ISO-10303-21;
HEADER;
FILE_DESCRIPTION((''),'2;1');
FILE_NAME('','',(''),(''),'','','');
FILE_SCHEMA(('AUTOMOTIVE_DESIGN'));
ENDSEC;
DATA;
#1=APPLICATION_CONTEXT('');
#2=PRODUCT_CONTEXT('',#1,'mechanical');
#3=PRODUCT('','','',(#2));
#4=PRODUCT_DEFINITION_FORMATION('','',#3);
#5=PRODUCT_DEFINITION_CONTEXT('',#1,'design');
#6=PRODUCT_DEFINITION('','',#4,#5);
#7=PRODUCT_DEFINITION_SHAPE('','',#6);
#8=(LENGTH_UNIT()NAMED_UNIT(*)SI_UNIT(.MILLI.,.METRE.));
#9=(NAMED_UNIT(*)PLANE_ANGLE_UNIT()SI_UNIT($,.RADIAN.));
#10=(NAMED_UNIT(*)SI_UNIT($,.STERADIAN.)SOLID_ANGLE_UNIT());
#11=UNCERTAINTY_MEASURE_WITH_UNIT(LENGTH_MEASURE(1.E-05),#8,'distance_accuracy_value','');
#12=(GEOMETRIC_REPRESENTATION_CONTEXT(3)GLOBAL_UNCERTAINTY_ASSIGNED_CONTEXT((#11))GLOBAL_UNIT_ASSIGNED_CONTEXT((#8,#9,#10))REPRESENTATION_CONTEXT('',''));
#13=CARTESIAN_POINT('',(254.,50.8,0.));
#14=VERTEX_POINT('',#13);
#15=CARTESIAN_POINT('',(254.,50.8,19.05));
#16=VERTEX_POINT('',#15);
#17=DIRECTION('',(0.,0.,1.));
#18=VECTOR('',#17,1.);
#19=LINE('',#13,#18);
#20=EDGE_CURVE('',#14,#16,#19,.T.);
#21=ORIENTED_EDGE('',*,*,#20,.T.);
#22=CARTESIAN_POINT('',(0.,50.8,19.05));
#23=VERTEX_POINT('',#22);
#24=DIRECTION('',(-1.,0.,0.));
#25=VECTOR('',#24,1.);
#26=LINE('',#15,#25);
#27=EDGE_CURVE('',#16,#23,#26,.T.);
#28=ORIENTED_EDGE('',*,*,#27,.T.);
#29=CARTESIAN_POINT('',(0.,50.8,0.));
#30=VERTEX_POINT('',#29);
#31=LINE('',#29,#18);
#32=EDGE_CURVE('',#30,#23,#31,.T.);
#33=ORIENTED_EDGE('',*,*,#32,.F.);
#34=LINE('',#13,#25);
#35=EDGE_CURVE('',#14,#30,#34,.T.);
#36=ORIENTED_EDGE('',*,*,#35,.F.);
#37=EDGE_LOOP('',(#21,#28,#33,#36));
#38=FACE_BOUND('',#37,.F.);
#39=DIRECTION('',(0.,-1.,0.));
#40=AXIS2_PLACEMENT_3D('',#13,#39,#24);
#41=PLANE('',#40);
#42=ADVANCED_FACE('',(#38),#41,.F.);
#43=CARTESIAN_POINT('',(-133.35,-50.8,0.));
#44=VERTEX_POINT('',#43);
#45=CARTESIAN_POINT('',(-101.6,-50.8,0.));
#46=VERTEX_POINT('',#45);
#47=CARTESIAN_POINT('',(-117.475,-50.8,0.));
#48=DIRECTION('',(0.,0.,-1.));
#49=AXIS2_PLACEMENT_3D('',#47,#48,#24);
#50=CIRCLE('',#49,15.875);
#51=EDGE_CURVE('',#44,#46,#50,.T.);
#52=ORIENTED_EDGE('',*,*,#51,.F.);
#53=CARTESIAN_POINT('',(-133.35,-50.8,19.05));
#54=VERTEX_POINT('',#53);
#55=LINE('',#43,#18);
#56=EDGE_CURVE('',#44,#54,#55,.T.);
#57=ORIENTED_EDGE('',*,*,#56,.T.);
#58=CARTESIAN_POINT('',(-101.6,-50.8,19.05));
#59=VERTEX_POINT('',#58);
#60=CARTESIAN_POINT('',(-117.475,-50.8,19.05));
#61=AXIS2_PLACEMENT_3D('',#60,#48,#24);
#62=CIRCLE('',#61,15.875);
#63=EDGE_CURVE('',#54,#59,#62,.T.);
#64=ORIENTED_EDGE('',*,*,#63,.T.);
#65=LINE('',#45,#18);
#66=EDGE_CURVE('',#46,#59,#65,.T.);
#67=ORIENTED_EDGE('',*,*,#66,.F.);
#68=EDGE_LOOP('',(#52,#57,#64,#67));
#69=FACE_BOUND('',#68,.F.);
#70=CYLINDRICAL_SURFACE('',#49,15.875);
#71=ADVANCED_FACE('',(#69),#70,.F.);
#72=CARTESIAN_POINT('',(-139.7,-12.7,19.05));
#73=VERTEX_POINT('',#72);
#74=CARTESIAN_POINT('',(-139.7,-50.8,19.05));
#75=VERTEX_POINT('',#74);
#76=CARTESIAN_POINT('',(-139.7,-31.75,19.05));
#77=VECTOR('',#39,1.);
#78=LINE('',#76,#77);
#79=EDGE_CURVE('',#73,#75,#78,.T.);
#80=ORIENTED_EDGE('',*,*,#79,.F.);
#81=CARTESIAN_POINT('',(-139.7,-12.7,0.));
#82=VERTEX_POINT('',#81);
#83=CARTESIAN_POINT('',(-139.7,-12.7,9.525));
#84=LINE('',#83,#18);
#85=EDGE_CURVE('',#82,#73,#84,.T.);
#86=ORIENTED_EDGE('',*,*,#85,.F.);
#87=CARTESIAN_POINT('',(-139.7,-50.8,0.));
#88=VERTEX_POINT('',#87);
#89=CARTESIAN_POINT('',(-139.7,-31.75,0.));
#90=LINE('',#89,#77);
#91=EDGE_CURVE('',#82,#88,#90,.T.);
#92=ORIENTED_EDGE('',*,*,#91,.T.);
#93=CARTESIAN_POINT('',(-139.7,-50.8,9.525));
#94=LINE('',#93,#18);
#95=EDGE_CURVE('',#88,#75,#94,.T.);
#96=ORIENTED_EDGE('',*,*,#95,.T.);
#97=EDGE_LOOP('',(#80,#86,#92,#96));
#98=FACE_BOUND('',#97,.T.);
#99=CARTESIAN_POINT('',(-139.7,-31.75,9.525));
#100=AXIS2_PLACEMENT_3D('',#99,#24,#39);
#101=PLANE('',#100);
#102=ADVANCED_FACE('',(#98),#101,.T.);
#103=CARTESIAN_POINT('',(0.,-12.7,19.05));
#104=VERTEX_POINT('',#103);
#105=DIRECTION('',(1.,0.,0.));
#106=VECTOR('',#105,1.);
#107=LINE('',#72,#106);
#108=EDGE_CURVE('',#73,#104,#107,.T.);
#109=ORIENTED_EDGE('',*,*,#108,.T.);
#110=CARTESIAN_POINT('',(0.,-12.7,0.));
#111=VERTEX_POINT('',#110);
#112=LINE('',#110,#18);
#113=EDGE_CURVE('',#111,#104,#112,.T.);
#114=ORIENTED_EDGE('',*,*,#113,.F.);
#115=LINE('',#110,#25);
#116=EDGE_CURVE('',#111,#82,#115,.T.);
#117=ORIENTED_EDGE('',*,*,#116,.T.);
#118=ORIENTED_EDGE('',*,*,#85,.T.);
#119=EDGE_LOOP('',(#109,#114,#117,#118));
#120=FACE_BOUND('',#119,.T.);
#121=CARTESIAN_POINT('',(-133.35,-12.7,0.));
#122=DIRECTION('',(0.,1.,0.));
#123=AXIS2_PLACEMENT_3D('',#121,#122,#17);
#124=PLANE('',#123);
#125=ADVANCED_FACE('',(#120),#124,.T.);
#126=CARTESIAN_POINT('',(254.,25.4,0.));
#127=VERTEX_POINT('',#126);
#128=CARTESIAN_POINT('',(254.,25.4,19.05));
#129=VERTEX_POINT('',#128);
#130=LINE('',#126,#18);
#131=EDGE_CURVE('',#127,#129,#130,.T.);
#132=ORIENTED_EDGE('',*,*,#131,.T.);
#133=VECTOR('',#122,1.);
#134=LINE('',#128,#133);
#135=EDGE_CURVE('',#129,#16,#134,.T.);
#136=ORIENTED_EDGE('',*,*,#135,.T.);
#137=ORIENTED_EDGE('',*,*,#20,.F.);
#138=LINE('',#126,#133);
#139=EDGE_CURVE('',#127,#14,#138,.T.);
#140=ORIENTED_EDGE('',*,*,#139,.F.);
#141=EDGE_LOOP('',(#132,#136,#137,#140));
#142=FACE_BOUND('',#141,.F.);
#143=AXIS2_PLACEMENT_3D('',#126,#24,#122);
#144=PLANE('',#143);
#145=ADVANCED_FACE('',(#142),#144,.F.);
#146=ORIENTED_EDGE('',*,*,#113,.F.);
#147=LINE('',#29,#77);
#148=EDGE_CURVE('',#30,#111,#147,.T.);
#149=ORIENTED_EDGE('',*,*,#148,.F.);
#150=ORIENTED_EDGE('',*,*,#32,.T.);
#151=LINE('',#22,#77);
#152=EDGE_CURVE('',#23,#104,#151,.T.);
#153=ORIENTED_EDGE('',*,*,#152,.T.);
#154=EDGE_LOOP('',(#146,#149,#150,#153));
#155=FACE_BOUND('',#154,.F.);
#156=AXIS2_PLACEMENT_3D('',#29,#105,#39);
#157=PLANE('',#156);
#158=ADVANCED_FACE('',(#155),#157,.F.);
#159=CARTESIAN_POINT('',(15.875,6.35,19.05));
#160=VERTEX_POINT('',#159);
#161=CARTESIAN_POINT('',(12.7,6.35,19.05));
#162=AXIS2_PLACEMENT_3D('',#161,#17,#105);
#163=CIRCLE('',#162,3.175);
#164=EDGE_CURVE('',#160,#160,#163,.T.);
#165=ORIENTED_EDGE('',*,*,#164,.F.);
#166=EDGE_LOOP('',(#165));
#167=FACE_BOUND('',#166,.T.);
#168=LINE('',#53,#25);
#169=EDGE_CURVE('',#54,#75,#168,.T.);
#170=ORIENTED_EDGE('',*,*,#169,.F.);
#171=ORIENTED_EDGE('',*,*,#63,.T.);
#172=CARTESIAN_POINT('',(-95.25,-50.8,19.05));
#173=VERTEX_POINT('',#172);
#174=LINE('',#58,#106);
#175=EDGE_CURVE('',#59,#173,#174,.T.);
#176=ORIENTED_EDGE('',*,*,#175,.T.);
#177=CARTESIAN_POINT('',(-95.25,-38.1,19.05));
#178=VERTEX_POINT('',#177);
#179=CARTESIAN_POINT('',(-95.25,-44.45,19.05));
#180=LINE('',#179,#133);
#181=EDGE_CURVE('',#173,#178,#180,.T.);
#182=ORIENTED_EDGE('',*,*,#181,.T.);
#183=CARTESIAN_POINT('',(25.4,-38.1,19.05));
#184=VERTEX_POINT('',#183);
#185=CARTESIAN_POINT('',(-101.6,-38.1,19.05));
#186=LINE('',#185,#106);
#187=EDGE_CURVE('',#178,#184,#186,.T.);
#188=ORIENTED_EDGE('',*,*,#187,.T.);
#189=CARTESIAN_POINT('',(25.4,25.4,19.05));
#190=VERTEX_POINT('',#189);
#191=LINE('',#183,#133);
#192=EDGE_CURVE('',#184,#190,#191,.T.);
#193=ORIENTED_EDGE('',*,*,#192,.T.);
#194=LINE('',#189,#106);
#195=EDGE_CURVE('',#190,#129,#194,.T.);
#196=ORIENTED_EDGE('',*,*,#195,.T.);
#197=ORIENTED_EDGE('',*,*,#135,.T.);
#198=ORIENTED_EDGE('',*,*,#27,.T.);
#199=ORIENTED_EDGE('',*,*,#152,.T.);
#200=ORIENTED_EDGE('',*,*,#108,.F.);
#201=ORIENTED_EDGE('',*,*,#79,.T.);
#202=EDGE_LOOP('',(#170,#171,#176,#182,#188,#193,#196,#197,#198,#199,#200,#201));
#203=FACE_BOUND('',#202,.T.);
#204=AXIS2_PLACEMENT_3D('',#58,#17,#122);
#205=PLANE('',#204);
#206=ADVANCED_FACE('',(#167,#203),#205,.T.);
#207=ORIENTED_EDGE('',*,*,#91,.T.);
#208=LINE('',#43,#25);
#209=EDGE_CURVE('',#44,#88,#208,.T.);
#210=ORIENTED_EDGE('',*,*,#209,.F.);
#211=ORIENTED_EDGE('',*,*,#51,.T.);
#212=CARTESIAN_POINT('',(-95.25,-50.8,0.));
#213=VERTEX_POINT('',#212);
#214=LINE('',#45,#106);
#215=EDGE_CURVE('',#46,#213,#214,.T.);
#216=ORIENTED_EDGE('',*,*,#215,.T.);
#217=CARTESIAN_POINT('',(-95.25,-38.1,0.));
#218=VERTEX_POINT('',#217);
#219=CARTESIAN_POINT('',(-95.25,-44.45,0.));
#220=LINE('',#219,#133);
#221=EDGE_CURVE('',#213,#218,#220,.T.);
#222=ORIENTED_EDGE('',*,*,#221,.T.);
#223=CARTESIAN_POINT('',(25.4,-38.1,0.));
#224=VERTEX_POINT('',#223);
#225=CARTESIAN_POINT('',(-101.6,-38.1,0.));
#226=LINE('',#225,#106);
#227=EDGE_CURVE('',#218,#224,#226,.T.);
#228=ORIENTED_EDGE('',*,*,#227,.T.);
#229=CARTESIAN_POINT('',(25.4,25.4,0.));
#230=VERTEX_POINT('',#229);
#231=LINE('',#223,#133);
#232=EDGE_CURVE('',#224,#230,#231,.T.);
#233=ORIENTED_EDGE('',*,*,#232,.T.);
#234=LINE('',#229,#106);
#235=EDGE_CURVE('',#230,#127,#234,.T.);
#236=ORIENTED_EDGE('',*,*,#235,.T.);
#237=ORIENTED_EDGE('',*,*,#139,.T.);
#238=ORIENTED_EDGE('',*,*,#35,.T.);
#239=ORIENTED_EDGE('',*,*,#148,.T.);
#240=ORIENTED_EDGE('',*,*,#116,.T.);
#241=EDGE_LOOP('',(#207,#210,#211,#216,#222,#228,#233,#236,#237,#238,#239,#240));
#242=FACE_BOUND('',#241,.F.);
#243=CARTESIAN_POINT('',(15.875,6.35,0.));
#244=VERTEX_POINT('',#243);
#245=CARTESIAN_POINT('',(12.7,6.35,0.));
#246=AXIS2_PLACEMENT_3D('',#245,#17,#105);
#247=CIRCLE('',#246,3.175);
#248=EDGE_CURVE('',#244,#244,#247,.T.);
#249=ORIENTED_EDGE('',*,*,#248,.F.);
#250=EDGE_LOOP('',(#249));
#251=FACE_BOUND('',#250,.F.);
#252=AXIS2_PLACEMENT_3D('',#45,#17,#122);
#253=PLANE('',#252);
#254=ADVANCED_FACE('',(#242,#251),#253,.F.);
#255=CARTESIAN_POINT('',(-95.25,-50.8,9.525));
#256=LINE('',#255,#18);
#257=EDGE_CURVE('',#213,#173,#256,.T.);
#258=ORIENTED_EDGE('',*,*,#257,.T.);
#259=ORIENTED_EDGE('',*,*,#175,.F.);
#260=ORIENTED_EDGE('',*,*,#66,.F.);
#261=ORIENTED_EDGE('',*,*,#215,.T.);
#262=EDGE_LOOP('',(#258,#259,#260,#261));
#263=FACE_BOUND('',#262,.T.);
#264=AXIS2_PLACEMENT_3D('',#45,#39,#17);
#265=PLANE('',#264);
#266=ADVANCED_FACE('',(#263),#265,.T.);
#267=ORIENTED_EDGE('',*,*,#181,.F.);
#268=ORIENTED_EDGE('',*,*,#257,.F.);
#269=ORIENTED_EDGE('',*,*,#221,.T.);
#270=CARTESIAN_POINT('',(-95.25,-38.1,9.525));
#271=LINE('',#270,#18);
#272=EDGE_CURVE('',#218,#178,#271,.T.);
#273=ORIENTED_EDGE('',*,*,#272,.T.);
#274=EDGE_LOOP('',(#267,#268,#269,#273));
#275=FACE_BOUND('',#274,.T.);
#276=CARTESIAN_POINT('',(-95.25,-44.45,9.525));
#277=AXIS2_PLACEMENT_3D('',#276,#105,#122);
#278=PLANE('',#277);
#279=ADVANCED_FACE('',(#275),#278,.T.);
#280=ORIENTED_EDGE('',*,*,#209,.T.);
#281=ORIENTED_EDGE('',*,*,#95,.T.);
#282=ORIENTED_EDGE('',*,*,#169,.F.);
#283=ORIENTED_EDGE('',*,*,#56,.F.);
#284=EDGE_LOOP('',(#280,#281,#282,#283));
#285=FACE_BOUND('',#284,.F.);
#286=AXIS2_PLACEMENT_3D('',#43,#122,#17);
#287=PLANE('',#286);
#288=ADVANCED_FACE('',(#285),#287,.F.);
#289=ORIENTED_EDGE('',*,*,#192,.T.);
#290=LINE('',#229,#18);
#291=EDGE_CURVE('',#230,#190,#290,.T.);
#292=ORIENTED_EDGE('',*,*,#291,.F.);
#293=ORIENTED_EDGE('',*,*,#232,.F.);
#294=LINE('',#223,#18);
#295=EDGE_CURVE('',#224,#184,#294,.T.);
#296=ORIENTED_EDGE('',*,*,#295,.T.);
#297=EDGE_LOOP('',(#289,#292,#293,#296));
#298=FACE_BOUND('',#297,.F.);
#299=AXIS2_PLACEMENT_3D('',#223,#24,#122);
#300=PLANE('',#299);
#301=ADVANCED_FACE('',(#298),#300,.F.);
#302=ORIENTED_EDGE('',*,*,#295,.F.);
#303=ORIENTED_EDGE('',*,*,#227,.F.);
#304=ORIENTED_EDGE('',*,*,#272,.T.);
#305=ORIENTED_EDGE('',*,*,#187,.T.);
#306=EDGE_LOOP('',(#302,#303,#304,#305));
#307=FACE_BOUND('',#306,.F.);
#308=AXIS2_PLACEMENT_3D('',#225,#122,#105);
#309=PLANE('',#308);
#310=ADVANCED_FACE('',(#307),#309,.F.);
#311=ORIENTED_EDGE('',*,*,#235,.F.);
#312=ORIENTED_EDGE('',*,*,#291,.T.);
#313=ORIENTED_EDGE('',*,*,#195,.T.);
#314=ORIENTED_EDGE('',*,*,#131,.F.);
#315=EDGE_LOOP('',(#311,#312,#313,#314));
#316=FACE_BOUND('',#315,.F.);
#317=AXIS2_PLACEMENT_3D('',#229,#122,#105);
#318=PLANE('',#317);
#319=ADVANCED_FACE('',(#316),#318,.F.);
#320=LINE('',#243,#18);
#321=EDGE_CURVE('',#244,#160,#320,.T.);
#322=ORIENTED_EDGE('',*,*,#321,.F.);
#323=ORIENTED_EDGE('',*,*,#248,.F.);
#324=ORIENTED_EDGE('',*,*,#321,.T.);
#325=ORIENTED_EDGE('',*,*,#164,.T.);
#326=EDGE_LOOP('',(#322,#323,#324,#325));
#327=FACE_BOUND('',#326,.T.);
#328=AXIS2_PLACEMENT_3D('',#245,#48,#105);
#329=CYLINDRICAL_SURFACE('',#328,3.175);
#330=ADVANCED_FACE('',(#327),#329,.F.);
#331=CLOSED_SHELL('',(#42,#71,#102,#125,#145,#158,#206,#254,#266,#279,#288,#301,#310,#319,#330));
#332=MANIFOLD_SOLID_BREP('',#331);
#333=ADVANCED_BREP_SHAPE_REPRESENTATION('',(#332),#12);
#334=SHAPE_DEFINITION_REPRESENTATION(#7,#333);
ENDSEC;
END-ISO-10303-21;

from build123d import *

# Parameters (mm, degrees)
F0_R     = 3.175
F1_DEPTH = 19.05
F2_W     = 38.1
F2_H     = 19.05
F3_DEPTH = 6.35
F4_W     = 12.7
F4_H     = 19.05
F5_DEPTH = 6.35


with BuildPart() as f1:
    # F0 (on Top) → F1 (new body)
    with BuildSketch(Plane.XY):
        with BuildLine():
            Line((0, 50.8), (0, 0))
            Line((0, 0), (0, -12.7))
            Line((0, -12.7), (-133.35, -12.7))
            Line((-133.35, -12.7), (-133.35, -50.8))
            ThreePointArc((-133.35, -50.8), (-117.475, -34.925), (-101.6, -50.8))
            Line((-101.6, -50.8), (-101.6, -38.1))
            Line((-101.6, -38.1), (25.4, -38.1))
            Line((25.4, -38.1), (25.4, 0))
            Line((25.4, 0), (25.4, 25.4))
            Line((25.4, 25.4), (254, 25.4))
            Line((254, 25.4), (254, 50.8))
            Line((254, 50.8), (0, 50.8))
        make_face()
        with Locations((12.7, 6.35)):
            Circle(F0_R, mode=Mode.SUBTRACT)
    extrude(amount=F1_DEPTH)

    # F2 (on face) → F3 (join)
    with BuildSketch(Plane(origin=(-133.35, 0, 0), x_dir=(0, -1, 0), z_dir=(-1, 0, 0))):
        with Locations((31.75, 9.525)):
            Rectangle(F2_W, F2_H)
    extrude(amount=F3_DEPTH)

    # F4 (on face) → F5 (join)
    with BuildSketch(Plane.YZ.offset(-101.6)):
        with Locations((-44.45, 9.525)):
            Rectangle(F4_W, F4_H)
    extrude(amount=F5_DEPTH)


solid = f1.part
